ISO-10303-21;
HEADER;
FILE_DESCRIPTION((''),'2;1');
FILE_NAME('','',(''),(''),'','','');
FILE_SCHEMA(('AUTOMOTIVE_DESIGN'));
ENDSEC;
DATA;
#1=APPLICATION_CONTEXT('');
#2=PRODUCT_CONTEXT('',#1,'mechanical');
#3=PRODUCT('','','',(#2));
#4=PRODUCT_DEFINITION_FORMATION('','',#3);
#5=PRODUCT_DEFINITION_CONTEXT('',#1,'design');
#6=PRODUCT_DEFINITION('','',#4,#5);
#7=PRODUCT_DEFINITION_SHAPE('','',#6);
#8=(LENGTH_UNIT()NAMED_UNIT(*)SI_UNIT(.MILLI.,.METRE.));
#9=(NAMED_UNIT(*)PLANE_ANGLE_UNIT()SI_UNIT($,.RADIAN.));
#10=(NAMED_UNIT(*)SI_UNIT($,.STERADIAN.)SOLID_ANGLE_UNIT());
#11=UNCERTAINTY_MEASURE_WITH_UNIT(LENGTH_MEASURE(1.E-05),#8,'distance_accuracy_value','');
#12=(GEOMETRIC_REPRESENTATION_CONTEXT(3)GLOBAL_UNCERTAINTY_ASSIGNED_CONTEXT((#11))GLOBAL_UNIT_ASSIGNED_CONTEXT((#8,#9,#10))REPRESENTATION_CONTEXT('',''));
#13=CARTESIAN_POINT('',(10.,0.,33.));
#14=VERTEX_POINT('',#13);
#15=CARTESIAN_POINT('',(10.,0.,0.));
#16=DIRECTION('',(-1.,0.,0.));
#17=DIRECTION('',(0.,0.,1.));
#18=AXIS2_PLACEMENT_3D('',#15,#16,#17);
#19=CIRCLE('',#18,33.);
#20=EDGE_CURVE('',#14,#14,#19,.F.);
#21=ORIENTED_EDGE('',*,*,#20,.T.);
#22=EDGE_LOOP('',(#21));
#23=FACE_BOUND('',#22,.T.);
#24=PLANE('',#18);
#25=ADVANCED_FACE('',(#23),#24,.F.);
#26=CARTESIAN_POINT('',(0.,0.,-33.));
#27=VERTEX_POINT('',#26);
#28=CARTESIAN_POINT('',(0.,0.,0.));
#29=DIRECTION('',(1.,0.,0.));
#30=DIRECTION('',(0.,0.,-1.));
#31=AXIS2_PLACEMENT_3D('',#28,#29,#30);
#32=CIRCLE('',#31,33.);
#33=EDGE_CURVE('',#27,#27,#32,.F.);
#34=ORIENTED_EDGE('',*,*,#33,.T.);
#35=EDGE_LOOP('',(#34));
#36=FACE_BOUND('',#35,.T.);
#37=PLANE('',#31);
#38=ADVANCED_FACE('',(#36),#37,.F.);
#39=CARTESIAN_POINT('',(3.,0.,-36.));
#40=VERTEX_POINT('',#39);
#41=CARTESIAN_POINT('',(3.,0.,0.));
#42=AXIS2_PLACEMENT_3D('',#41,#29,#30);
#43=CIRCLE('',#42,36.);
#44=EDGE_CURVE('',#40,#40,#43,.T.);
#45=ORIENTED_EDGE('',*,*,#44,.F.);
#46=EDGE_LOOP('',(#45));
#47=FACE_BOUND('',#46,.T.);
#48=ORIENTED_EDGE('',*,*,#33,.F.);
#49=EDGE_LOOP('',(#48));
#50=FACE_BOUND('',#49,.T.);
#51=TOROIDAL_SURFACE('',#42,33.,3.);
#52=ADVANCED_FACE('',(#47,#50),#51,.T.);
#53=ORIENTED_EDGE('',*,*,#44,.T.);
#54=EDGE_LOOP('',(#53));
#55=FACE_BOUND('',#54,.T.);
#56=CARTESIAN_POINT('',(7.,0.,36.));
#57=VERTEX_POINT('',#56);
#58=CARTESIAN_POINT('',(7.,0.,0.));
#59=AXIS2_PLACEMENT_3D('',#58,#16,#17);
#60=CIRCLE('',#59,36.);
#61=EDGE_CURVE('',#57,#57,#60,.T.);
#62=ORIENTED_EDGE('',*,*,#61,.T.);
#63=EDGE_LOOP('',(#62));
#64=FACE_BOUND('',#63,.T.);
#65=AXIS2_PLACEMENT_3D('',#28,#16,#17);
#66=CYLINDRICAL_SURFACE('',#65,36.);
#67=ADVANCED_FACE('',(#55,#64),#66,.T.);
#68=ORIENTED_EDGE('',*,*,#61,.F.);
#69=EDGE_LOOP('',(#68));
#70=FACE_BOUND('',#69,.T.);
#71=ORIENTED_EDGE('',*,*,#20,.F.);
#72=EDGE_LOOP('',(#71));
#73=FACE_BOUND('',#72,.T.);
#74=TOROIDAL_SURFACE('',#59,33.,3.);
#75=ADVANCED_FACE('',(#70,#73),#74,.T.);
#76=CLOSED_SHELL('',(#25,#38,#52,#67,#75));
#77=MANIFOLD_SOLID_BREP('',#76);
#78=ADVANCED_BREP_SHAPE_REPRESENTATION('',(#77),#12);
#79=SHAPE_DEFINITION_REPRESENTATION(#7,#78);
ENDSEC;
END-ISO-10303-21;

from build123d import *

# Parameters (mm, degrees)
SKETCH1_W = 10
SKETCH1_H = 36
FILLET2_R = 3


with BuildPart() as part:
    # Sketch1 → Revolve1 (revolve)
    with BuildSketch(Plane.XY, mode=Mode.PRIVATE) as revolve1_sk:
        with Locations((5, 18)):
            Rectangle(SKETCH1_W, SKETCH1_H)
    revolve(revolve1_sk.sketch.rotate(Axis((0, 0, 0), (1, 0, 0)), 90), axis=Axis((0, 0, 0), (1, 0, 0)))

    # Fillet2
    fillet2_edges = [part.edges().sort_by_distance(p)[0] for p in [
        (10, 0, -36),
        (0, 0, -36),
    ]]
    fillet(fillet2_edges, radius=FILLET2_R)


solid = part.part
